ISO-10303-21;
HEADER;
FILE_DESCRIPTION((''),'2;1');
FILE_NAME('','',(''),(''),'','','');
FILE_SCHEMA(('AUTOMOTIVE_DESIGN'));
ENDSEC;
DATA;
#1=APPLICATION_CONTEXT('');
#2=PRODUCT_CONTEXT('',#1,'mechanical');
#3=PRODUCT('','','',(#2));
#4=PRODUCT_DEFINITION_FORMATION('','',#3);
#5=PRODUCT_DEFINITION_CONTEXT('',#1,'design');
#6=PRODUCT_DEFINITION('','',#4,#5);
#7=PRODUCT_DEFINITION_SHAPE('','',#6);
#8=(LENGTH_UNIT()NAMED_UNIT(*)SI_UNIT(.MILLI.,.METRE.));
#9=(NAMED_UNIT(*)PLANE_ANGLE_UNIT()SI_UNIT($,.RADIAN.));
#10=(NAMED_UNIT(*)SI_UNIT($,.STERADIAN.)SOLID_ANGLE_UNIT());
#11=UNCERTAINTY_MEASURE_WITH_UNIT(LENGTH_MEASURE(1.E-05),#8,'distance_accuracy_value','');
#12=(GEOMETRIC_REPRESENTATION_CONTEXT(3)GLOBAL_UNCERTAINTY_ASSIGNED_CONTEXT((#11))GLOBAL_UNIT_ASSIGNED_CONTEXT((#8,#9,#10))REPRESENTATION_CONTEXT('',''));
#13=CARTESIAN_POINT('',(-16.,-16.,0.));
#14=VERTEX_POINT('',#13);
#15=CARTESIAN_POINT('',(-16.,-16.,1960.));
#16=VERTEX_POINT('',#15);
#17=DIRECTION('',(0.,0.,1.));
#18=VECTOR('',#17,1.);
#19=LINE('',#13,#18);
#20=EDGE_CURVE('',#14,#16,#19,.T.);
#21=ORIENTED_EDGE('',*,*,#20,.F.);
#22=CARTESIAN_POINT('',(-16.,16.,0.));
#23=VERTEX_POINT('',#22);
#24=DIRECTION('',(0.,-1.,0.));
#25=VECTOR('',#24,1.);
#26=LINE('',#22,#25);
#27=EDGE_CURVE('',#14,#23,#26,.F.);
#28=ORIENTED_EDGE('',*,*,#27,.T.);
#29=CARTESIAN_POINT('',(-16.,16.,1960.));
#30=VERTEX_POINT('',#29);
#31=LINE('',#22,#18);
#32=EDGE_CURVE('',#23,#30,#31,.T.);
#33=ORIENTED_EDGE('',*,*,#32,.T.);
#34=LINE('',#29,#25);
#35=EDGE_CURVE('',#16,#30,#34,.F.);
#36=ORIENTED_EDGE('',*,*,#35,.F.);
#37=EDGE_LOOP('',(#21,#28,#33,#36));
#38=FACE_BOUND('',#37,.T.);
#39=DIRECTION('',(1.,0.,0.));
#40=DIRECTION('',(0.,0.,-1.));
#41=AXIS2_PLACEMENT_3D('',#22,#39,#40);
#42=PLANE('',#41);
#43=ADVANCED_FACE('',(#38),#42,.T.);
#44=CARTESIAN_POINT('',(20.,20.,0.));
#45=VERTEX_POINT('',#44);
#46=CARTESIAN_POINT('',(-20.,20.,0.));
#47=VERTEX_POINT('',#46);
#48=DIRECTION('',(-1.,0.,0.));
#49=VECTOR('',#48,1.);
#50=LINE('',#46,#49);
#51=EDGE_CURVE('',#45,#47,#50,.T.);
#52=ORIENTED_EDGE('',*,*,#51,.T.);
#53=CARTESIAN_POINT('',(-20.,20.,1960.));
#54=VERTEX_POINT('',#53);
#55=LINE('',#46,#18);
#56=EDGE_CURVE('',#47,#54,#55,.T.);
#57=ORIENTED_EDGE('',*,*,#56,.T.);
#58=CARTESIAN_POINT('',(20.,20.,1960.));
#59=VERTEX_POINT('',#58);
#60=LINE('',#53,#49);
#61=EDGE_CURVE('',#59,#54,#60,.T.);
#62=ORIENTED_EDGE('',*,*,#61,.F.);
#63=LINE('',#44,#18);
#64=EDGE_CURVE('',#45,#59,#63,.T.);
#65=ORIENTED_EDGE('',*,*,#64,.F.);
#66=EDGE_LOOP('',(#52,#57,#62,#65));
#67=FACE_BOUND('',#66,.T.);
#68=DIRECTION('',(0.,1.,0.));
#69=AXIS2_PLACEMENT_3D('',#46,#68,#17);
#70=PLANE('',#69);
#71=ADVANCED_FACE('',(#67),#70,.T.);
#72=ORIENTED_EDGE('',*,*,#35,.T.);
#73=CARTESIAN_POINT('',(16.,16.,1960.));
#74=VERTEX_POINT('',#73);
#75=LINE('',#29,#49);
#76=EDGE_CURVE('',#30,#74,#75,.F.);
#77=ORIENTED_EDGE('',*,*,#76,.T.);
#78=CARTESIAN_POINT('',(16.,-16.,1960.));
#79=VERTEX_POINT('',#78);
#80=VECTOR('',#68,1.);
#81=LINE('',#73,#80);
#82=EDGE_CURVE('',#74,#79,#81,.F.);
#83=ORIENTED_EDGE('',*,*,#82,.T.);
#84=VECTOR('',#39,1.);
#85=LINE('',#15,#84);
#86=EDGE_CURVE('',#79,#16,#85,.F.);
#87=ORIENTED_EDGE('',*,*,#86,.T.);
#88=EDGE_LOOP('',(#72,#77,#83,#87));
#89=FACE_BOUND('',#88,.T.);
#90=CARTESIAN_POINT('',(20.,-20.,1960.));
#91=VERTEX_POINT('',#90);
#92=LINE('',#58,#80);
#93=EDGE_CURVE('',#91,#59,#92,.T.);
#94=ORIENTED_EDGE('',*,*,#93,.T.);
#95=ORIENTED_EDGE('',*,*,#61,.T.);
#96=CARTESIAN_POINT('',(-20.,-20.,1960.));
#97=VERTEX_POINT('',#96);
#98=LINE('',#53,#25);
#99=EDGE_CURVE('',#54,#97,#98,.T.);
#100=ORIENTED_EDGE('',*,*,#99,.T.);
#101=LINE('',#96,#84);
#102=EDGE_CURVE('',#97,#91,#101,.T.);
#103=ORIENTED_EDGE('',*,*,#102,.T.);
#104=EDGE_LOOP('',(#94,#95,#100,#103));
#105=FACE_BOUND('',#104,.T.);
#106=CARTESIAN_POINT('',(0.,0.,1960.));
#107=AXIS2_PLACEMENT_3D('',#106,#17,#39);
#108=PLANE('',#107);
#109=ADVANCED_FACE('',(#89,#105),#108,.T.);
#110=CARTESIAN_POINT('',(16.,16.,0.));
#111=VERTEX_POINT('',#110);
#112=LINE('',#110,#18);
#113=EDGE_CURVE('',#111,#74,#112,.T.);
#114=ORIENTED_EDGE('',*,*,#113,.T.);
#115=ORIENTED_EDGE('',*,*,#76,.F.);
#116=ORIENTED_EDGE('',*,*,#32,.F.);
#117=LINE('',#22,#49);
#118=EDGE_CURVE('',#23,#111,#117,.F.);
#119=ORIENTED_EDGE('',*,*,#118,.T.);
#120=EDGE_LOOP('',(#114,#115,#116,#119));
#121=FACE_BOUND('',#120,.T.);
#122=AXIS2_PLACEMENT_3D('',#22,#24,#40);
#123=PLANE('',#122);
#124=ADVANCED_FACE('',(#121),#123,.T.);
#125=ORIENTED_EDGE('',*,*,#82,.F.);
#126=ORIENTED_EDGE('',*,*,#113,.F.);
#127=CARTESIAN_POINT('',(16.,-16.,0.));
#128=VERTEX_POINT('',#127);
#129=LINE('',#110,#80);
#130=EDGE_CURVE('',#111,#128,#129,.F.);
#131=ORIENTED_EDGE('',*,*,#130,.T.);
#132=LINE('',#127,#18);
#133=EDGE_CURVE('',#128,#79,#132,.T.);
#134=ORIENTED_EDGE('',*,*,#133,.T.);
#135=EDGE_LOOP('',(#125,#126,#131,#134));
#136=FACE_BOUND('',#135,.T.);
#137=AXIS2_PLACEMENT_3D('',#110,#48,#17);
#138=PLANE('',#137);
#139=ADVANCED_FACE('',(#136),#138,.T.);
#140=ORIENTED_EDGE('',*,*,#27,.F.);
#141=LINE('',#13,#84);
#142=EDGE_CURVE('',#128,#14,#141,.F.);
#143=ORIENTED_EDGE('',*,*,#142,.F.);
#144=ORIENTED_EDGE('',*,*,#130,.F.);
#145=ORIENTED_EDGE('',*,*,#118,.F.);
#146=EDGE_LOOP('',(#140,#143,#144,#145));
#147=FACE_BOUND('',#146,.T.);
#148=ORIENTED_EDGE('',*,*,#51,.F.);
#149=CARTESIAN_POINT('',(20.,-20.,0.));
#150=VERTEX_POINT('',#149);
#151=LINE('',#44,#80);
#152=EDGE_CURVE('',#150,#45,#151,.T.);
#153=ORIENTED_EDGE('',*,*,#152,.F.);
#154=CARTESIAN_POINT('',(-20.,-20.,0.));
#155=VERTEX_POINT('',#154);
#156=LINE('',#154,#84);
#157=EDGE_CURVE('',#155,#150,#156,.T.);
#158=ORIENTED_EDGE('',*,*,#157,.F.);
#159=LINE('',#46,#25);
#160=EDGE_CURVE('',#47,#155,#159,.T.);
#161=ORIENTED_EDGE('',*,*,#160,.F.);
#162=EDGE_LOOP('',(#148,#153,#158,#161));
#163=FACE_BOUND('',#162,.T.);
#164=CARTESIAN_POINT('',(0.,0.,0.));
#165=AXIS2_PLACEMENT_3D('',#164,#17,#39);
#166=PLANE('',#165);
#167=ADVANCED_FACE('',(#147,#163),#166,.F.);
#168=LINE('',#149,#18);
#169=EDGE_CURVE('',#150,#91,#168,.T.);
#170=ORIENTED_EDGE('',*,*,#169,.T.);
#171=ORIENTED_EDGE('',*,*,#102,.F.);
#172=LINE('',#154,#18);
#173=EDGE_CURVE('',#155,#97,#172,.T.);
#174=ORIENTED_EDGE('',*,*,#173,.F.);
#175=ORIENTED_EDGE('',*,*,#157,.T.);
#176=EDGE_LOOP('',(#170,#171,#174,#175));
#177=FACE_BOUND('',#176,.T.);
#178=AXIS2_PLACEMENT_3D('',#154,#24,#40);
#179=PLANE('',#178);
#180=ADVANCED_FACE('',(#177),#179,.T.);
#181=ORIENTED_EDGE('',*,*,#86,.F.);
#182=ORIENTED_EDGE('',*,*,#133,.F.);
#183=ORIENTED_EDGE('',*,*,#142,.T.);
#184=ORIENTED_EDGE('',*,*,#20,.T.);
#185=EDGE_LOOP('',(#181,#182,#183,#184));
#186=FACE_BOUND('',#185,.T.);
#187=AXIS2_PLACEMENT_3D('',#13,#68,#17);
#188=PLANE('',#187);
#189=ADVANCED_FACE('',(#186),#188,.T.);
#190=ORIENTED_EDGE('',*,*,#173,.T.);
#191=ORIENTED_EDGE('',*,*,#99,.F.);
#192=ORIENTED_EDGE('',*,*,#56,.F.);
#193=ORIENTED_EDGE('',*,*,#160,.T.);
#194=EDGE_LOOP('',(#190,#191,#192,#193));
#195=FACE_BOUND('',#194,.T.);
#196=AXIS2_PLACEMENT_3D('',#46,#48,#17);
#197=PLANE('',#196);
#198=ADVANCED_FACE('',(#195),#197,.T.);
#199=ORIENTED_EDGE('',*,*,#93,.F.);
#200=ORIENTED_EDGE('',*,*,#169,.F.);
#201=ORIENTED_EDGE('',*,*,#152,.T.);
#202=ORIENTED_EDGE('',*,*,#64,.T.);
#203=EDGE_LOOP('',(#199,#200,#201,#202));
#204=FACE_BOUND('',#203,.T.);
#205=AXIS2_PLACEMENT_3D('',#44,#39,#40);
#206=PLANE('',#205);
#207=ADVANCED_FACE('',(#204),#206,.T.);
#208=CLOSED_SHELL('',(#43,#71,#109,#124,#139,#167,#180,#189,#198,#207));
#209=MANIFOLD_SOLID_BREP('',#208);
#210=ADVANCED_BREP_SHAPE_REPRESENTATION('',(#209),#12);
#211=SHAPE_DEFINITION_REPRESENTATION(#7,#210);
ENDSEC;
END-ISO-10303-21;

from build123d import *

# Parameters (mm, degrees)
SKETCH1_W   = 40
SKETCH1_H   = 40
SKETCH1_W_2 = 32
SKETCH1_H_2 = 32


with BuildPart() as part:
    # Sweep1: sweep along a curve in space
    with BuildLine() as sweep1_path:
        add(Edge.make_bspline(
            [(0, 0, 0), (0, 0, 1960)],
            knots=[0, 0, 1, 1], degree=1))
    # Sketch1 → Sweep1 (sweep)
    with BuildSketch(Plane.XY):
        Rectangle(SKETCH1_W, SKETCH1_H)
        Rectangle(SKETCH1_W_2, SKETCH1_H_2, mode=Mode.SUBTRACT)
    sweep(path=sweep1_path.line)


solid = part.part
